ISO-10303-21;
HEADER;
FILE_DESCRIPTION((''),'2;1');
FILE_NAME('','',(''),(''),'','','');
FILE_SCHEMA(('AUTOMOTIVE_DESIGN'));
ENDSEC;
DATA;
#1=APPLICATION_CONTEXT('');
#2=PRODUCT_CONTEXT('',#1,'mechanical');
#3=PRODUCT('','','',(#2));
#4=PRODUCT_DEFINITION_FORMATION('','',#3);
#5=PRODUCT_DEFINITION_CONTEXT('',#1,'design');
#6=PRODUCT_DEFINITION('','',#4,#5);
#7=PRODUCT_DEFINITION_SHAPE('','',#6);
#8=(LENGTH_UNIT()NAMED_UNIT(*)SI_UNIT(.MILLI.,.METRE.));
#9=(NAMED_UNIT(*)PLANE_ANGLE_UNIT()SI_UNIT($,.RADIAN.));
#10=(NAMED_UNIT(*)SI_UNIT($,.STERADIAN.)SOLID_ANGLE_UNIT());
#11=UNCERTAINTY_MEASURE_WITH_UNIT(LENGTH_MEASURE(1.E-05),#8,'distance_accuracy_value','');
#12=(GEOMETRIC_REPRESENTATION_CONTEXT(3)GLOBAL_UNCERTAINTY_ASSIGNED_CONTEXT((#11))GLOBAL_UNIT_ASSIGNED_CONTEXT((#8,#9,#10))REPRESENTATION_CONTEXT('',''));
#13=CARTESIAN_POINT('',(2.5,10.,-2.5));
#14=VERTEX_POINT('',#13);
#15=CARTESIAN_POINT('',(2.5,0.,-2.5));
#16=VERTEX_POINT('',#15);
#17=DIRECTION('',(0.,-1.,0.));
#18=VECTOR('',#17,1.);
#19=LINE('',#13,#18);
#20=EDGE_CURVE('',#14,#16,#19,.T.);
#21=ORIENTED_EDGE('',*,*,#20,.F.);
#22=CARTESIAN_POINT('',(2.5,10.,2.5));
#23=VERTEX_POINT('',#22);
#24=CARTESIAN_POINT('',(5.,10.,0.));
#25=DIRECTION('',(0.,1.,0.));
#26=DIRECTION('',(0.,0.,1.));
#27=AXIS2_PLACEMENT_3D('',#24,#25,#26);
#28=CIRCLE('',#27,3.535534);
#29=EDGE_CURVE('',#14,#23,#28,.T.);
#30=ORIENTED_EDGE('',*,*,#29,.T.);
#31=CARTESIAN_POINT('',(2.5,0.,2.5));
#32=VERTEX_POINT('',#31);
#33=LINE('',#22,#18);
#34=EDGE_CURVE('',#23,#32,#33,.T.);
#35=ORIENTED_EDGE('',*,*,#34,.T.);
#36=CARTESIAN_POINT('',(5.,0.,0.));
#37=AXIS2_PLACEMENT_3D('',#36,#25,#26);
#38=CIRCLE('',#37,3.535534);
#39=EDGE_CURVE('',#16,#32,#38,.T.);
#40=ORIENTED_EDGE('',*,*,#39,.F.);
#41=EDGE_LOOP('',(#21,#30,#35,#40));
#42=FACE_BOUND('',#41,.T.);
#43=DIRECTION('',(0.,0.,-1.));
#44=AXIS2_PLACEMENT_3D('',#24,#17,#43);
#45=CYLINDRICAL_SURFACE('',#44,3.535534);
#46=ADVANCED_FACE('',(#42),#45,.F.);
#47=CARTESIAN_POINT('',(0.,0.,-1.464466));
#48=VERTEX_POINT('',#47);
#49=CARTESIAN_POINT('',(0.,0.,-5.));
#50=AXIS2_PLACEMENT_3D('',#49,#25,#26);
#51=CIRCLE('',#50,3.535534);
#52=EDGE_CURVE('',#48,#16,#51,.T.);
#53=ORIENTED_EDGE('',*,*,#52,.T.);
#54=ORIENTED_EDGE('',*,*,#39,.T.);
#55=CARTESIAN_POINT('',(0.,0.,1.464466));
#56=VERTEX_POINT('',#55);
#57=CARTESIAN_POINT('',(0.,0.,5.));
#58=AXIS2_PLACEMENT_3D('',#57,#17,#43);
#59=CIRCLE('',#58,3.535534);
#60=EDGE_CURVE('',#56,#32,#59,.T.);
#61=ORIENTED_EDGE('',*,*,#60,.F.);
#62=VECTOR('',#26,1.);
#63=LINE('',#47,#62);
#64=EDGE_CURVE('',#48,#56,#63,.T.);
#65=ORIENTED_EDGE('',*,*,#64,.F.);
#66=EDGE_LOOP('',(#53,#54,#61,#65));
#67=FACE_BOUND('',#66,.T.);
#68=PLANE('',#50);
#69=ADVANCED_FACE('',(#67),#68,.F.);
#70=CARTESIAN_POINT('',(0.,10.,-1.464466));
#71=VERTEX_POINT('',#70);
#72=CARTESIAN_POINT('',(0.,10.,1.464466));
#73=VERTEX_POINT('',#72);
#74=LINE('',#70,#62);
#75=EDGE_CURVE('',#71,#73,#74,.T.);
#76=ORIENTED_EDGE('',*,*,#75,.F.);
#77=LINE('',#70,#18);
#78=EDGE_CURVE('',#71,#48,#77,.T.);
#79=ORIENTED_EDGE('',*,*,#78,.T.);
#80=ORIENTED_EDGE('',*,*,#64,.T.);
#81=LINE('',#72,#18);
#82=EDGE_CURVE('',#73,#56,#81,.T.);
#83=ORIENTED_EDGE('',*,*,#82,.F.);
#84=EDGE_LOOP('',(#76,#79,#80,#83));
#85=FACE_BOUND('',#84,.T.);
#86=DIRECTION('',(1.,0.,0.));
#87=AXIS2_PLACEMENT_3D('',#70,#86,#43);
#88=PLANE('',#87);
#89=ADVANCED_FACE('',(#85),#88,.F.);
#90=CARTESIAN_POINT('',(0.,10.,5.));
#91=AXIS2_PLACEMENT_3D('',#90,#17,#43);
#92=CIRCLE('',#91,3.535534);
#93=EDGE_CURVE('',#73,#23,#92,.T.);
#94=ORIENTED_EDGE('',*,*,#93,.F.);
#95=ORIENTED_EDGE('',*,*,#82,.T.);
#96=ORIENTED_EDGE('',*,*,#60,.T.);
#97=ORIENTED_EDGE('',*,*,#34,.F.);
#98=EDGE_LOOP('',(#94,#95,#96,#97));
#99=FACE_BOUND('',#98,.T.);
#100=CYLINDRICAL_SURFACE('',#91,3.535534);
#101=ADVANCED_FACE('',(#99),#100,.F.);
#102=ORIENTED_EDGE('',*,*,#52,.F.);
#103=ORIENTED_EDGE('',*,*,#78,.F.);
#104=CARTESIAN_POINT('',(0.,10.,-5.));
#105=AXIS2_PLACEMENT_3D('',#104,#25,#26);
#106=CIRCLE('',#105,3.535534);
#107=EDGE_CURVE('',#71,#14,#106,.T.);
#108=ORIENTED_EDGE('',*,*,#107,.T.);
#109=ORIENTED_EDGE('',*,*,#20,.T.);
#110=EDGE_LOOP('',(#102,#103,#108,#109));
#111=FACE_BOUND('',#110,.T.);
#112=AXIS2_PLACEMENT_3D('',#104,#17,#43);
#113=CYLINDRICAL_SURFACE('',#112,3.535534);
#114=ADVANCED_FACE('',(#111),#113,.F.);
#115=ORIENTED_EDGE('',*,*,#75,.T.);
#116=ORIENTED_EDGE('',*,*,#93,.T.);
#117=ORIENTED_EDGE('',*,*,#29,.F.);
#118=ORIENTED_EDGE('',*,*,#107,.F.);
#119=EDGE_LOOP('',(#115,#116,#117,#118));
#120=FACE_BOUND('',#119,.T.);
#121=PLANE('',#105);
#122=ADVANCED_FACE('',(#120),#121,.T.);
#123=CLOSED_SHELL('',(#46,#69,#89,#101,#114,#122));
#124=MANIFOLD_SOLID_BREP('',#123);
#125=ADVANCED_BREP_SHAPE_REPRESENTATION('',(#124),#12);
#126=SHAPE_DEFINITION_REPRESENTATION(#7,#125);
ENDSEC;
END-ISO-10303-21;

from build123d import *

# Parameters (mm, degrees)
BOSS_EXTRUDE1_DEPTH = 10


with BuildPart() as part:
    # Sketch1 → Boss-Extrude1 (new body)
    with BuildSketch(Plane(origin=(0, 0, 0), x_dir=(1, 0, 0), z_dir=(0, 1, 0))):
        with BuildLine():
            Line((0, 1.464466094), (0, -1.464466094))
            ThreePointArc((0, -1.464466094), (1.35299025, -1.733592588), (2.5, -2.5))
            ThreePointArc((2.5, -2.5), (1.464466094, 0), (2.5, 2.5))
            ThreePointArc((2.5, 2.5), (1.35299025, 1.733592588), (0, 1.464466094))
        make_face()
    extrude(amount=BOSS_EXTRUDE1_DEPTH)


solid = part.part
